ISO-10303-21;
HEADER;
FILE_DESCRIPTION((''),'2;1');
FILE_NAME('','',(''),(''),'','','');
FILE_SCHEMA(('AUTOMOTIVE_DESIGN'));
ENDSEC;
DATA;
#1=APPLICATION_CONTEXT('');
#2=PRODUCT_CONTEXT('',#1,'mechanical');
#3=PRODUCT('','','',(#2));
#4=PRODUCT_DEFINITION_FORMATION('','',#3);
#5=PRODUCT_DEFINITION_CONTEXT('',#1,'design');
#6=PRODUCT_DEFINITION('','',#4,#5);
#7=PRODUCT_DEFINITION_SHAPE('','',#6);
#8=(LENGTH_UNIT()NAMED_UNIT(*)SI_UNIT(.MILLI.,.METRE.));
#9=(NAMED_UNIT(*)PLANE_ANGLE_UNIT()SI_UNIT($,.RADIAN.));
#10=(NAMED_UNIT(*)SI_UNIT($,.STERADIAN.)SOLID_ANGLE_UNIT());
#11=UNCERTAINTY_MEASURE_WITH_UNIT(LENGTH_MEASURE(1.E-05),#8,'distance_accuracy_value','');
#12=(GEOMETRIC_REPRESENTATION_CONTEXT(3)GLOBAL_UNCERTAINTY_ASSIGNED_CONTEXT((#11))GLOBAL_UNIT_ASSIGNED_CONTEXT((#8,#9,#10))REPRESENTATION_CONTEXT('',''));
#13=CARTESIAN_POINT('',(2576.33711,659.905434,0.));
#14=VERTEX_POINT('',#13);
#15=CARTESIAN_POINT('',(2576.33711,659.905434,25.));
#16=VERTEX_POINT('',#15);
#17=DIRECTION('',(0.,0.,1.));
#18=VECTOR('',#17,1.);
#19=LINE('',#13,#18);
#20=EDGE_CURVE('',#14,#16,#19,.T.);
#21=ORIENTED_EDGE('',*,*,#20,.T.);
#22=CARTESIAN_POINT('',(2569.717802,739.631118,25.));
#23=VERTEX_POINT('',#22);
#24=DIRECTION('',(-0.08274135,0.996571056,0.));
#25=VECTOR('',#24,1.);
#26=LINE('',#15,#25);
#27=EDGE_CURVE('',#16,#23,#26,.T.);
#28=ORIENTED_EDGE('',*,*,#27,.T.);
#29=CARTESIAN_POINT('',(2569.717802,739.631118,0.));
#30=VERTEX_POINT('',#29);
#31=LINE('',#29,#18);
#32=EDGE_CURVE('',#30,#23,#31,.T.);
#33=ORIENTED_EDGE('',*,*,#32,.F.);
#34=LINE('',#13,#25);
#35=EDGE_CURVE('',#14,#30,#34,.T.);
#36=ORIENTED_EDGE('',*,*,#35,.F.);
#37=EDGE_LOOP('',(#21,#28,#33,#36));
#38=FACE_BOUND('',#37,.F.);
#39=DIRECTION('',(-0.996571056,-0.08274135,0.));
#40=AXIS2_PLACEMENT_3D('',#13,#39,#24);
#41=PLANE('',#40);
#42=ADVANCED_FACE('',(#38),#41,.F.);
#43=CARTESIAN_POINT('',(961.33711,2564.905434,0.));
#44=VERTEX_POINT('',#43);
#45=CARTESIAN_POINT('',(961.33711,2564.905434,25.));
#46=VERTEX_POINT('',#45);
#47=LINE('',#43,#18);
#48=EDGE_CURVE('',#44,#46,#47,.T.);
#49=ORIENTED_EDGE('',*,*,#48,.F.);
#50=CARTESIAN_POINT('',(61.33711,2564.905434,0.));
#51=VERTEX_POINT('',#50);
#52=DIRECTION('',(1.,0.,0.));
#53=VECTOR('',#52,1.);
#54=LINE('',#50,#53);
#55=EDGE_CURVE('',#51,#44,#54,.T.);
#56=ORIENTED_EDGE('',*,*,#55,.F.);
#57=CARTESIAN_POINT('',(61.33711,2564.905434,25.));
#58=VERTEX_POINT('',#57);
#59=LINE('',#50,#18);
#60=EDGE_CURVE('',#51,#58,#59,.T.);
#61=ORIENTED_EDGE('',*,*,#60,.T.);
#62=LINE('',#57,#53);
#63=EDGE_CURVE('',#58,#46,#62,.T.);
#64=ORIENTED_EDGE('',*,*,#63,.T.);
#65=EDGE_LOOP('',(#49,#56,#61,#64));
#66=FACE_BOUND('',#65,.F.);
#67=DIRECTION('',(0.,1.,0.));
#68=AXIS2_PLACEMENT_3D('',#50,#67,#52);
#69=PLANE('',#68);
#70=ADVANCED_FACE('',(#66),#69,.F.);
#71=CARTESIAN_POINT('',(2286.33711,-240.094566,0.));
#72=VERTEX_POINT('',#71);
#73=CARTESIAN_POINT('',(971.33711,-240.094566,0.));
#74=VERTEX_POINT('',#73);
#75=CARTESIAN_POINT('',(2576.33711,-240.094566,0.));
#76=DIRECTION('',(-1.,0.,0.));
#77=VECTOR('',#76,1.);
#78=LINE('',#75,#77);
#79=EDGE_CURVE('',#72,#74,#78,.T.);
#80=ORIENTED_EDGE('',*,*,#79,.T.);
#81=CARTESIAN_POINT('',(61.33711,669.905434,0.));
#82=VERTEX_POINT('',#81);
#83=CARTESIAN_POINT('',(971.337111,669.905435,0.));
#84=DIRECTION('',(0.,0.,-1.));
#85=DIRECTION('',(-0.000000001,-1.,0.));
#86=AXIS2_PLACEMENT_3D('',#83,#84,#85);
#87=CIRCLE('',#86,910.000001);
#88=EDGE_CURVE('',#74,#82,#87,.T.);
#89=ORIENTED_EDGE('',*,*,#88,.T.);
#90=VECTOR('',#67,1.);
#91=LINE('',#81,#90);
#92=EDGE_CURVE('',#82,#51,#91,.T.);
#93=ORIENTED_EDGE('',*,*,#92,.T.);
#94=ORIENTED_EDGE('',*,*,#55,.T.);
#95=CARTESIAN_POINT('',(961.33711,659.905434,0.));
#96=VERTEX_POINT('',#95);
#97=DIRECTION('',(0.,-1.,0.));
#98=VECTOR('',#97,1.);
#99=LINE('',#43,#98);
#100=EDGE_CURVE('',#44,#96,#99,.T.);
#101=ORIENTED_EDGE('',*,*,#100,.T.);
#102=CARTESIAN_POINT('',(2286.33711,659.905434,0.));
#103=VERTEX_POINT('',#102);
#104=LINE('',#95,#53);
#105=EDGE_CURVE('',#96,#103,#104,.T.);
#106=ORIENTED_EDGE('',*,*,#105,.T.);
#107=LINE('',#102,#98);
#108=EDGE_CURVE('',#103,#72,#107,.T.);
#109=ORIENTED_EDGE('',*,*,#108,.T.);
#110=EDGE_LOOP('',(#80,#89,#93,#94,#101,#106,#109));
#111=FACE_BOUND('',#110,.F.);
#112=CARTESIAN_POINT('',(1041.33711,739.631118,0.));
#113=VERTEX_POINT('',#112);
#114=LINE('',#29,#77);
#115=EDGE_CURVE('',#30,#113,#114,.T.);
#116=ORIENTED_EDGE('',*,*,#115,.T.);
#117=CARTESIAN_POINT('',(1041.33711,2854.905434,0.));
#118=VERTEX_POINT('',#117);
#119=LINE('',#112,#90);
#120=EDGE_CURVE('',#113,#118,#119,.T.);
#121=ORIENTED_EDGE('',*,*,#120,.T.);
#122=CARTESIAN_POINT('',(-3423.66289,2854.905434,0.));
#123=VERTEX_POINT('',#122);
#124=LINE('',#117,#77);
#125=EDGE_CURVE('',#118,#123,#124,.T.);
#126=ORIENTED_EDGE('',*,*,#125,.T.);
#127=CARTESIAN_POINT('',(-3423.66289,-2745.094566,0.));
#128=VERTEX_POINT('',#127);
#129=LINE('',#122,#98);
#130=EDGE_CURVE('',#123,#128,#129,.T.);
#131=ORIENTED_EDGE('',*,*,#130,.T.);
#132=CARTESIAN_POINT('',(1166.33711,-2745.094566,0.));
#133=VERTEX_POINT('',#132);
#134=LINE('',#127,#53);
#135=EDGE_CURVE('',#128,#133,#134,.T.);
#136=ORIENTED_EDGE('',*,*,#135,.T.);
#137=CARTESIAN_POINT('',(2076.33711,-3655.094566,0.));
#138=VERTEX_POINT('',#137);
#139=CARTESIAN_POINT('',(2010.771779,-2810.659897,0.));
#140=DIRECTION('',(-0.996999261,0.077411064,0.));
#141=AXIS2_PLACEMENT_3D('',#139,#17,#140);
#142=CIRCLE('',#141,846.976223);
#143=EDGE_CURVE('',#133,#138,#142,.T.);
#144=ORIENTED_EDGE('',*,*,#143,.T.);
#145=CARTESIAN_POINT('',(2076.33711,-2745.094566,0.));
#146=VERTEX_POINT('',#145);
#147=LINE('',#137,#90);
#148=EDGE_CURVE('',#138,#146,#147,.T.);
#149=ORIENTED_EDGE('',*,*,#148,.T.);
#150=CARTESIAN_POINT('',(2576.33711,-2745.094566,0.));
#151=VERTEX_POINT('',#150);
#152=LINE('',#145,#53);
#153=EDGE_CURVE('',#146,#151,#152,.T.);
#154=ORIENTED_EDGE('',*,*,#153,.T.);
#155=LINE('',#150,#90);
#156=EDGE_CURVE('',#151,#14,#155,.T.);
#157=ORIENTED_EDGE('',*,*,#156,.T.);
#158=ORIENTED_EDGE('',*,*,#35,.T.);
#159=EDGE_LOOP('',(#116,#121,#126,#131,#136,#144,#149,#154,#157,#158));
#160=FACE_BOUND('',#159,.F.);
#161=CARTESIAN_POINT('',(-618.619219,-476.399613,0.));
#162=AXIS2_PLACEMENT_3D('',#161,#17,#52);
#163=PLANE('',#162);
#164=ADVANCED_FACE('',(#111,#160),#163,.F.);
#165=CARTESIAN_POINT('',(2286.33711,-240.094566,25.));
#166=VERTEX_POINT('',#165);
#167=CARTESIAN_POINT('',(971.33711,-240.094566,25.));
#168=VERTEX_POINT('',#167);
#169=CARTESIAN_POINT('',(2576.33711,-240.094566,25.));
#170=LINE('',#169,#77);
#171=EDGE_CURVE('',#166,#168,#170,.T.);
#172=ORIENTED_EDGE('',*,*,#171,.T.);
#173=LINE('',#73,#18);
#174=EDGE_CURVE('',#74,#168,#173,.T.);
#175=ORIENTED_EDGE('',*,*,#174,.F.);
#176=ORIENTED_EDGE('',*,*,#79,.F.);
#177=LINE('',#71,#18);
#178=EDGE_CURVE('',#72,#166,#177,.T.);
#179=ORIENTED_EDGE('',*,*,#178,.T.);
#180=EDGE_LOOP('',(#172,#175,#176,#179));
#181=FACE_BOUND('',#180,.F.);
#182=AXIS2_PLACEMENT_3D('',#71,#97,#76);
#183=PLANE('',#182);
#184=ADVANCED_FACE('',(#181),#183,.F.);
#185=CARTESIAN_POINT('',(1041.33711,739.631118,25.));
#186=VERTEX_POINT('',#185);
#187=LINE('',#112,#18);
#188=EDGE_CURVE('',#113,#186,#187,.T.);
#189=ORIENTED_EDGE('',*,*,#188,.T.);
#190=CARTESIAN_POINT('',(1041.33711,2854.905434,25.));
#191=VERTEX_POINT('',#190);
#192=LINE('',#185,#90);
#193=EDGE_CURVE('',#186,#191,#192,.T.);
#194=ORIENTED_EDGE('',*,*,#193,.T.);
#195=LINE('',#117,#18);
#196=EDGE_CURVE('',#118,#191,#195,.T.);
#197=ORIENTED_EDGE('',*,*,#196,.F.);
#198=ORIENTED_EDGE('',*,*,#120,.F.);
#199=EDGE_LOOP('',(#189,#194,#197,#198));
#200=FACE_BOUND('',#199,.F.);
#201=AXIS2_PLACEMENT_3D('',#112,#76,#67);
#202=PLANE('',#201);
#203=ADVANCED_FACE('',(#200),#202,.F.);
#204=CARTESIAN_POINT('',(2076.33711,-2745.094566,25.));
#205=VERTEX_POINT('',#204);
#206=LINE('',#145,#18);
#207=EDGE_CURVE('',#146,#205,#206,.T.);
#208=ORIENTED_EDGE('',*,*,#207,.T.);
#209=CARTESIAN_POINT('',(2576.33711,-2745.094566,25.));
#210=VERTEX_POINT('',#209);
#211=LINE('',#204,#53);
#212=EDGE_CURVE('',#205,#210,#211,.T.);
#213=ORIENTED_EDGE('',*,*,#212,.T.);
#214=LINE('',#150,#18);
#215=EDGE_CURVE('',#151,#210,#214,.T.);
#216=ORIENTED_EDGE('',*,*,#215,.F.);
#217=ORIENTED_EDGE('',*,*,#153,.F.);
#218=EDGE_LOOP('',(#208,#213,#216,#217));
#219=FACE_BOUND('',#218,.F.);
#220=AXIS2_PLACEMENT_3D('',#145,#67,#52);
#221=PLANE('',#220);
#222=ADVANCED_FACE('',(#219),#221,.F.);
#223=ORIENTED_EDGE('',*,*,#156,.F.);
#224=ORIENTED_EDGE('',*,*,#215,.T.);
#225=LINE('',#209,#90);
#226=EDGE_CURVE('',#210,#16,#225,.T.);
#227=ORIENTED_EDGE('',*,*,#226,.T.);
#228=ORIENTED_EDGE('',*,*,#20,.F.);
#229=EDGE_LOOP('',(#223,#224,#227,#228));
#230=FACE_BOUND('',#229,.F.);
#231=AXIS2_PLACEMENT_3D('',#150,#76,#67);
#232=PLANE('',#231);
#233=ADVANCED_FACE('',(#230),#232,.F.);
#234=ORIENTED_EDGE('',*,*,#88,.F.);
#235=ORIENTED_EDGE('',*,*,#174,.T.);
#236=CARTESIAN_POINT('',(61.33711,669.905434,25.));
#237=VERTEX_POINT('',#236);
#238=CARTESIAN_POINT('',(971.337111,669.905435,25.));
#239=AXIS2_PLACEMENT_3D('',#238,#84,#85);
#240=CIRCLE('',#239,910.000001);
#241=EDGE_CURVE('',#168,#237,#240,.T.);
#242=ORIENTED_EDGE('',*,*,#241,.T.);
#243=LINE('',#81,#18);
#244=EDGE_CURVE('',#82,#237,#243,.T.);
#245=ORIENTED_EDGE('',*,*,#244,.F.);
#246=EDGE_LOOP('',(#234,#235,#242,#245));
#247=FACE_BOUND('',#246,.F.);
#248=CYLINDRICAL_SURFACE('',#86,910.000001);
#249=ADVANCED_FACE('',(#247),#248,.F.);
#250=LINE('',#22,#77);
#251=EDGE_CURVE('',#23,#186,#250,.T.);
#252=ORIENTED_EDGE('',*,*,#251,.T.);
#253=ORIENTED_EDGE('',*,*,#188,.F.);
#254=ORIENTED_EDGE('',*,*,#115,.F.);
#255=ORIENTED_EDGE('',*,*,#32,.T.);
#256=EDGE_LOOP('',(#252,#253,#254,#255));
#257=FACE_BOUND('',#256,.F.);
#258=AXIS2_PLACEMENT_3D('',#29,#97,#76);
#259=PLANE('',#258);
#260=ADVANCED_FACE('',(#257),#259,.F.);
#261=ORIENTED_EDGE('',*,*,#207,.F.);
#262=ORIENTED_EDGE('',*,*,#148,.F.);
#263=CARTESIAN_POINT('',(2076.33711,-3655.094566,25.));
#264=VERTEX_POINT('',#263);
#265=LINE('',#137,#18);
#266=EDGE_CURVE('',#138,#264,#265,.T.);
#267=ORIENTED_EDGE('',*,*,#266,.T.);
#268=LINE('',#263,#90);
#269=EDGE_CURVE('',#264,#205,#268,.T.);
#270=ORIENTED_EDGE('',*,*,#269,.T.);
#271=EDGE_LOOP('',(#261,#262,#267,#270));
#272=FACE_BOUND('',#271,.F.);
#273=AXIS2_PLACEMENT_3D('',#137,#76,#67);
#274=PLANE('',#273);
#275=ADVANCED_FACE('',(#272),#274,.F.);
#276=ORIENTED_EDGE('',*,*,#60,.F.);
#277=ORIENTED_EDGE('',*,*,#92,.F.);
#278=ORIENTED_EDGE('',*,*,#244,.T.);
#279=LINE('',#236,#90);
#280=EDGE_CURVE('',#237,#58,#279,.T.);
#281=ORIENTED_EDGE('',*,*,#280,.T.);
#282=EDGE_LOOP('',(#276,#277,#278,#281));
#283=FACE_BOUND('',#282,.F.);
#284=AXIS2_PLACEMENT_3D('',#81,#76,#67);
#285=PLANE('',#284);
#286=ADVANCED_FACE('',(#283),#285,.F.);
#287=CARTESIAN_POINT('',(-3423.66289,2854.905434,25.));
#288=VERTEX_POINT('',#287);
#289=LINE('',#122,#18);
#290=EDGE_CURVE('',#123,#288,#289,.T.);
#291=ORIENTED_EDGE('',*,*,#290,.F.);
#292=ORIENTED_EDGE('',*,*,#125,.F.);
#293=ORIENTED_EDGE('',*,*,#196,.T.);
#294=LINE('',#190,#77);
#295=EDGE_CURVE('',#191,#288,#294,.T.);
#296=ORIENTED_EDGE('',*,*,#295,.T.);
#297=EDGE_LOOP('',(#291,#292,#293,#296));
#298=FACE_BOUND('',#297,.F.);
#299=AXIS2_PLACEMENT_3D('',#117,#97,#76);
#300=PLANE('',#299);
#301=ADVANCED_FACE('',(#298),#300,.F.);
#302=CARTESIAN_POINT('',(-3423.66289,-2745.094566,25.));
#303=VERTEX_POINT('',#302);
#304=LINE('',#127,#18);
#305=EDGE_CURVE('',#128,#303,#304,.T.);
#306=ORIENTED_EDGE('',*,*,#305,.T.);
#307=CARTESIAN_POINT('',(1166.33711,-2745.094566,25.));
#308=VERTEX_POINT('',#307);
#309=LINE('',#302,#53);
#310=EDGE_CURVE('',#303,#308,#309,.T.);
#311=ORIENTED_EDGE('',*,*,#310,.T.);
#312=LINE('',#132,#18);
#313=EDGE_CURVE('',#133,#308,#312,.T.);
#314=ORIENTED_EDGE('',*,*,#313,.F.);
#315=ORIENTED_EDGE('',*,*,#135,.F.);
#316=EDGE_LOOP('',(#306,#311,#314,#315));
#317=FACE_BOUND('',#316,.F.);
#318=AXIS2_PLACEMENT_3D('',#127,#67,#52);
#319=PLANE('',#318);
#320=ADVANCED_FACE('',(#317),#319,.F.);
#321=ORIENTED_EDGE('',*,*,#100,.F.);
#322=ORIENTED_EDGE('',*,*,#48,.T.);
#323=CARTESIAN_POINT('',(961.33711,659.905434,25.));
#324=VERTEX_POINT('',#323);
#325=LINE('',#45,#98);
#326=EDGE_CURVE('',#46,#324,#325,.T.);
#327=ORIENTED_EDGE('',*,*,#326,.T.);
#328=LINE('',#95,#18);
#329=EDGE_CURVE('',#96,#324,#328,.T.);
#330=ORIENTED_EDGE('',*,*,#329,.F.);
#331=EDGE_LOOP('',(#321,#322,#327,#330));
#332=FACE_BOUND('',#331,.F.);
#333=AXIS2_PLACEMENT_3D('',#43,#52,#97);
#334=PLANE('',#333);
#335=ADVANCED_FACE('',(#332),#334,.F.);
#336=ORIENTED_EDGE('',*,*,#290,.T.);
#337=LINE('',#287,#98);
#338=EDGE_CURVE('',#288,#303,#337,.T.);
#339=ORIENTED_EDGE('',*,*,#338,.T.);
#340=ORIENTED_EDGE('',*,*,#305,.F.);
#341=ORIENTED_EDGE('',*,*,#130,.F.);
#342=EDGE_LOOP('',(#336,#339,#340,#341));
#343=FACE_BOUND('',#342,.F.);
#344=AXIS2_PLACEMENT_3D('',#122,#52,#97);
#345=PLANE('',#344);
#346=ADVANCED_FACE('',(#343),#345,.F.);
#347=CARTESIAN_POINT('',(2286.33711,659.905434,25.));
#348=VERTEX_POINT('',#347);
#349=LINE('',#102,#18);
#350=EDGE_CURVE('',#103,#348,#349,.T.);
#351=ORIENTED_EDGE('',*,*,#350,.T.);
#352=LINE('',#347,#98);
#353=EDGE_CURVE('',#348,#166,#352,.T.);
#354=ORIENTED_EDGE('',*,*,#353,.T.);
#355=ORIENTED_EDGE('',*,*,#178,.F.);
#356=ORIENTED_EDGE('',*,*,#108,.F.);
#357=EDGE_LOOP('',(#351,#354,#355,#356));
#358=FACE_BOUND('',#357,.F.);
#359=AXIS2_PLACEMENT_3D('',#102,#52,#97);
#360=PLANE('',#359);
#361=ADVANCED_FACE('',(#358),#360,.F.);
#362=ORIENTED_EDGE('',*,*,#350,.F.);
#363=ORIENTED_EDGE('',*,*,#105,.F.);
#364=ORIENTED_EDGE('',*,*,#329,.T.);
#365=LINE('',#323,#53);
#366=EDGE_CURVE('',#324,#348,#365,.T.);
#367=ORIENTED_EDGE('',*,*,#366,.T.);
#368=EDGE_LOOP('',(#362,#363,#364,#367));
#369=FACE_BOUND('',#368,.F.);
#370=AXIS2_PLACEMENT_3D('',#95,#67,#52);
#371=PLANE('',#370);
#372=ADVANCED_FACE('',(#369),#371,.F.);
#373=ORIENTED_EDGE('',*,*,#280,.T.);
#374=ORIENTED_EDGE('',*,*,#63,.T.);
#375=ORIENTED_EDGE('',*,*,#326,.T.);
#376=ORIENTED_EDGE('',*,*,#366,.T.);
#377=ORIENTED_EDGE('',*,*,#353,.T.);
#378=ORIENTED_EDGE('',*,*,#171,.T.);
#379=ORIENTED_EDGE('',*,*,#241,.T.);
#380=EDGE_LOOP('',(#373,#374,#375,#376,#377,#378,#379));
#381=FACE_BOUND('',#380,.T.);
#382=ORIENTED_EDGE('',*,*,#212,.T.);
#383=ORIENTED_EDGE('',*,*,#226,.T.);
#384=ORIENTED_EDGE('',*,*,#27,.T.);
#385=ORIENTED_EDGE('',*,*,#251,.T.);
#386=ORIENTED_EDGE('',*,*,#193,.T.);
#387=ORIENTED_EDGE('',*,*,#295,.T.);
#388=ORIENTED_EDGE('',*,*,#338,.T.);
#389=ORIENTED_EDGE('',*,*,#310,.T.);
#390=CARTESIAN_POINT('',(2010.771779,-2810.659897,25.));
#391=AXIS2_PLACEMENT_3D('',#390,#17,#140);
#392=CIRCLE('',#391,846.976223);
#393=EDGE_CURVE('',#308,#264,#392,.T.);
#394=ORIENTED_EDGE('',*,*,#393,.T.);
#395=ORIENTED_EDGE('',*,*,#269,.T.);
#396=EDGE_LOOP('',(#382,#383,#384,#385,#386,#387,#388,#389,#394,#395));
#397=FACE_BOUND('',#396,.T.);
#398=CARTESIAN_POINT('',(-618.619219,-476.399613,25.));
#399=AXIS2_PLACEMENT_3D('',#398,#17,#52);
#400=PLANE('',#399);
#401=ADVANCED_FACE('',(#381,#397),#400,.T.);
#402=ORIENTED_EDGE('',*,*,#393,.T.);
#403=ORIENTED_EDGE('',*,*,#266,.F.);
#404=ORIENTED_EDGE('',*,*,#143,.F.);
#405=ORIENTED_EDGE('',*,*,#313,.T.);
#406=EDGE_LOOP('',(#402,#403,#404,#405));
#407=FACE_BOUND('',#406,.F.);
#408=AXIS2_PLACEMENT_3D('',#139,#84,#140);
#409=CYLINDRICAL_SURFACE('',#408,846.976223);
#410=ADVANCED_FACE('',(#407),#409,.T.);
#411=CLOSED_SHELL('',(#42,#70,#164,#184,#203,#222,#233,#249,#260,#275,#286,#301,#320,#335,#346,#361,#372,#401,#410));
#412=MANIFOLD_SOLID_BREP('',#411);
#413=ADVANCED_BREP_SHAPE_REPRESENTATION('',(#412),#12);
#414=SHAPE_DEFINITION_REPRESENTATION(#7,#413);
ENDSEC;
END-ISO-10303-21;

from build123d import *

# Parameters (mm, degrees)
F0_W     = 450
F0_H     = 290
F0_W_2   = 290
F0_H_2   = 450
F1_DEPTH = 25


with BuildPart() as f1:
    # F0 (on Top) → F1 (new body)
    with BuildSketch(Plane.XY):
        with BuildLine():
            Line((61.33711, 2854.905434), (-3423.66289, 2854.905434))
            Line((-3423.66289, 2854.905434), (-3423.66289, -2745.094566))
            Line((-3423.66289, -2745.094566), (1166.33711, -2745.094566))
            ThreePointArc((1166.33711, -2745.094566), (1411.869148, -3409.562528), (2076.33711, -3655.094566))
            Line((2076.33711, -3655.094566), (2076.33711, -2827.612638))
            Line((2076.33711, -2827.612638), (2076.33711, -2745.094566))
            Line((2076.33711, -2745.094566), (2576.33711, -2745.094566))
            Line((2576.33711, -2745.094566), (2576.33711, -240.094566))
            Line((2576.33711, -240.094566), (2286.33711, -240.094566))
            Line((2286.33711, -240.094566), (1996.33711, -240.094566))
            Line((1996.33711, -240.094566), (1706.33711, -240.094566))
            Line((1706.33711, -240.094566), (1416.33711, -240.094566))
            Line((1416.33711, -240.094566), (971.33711, -240.094566))
            ThreePointArc((971.33711, -240.094566), (327.86994, 26.438263), (61.33711, 669.905434))
            Line((61.33711, 669.905434), (61.33711, 1114.905434))
            Line((61.33711, 1114.905434), (61.33711, 1404.905434))
            Line((61.33711, 1404.905434), (61.33711, 1694.905434))
            Line((61.33711, 1694.905434), (61.33711, 1984.905434))
            Line((61.33711, 1984.905434), (61.33711, 2274.905434))
            Line((61.33711, 2274.905434), (61.33711, 2564.905434))
            Line((61.33711, 2564.905434), (61.33711, 2854.905434))
        make_face()
        with Locations((286.33711, 2709.905434)):
            Rectangle(F0_W, F0_H)
        with Locations((736.33711, 2709.905434)):
            Rectangle(F0_W, F0_H)
        Polygon((1041.33711, 2854.905434), (961.33711, 2854.905434), (961.33711, 2564.905434), (961.33711, 2274.905434), (961.33711, 1984.905434), (961.33711, 1694.905434), (961.33711, 1404.905434), (961.33711, 1114.905434), (961.33711, 659.905434), (1416.33711, 659.905434), (1706.33711, 659.905434), (1996.33711, 659.905434), (2286.33711, 659.905434), (2576.33711, 659.905434), (2569.717802, 739.631118), (1041.33711, 739.631118), align=None)
        with Locations((2431.33711, -15.094566)):
            Rectangle(F0_W_2, F0_H_2)
        with Locations((2431.33711, 434.905434)):
            Rectangle(F0_W_2, F0_H_2)
    extrude(amount=F1_DEPTH)


solid = f1.part
